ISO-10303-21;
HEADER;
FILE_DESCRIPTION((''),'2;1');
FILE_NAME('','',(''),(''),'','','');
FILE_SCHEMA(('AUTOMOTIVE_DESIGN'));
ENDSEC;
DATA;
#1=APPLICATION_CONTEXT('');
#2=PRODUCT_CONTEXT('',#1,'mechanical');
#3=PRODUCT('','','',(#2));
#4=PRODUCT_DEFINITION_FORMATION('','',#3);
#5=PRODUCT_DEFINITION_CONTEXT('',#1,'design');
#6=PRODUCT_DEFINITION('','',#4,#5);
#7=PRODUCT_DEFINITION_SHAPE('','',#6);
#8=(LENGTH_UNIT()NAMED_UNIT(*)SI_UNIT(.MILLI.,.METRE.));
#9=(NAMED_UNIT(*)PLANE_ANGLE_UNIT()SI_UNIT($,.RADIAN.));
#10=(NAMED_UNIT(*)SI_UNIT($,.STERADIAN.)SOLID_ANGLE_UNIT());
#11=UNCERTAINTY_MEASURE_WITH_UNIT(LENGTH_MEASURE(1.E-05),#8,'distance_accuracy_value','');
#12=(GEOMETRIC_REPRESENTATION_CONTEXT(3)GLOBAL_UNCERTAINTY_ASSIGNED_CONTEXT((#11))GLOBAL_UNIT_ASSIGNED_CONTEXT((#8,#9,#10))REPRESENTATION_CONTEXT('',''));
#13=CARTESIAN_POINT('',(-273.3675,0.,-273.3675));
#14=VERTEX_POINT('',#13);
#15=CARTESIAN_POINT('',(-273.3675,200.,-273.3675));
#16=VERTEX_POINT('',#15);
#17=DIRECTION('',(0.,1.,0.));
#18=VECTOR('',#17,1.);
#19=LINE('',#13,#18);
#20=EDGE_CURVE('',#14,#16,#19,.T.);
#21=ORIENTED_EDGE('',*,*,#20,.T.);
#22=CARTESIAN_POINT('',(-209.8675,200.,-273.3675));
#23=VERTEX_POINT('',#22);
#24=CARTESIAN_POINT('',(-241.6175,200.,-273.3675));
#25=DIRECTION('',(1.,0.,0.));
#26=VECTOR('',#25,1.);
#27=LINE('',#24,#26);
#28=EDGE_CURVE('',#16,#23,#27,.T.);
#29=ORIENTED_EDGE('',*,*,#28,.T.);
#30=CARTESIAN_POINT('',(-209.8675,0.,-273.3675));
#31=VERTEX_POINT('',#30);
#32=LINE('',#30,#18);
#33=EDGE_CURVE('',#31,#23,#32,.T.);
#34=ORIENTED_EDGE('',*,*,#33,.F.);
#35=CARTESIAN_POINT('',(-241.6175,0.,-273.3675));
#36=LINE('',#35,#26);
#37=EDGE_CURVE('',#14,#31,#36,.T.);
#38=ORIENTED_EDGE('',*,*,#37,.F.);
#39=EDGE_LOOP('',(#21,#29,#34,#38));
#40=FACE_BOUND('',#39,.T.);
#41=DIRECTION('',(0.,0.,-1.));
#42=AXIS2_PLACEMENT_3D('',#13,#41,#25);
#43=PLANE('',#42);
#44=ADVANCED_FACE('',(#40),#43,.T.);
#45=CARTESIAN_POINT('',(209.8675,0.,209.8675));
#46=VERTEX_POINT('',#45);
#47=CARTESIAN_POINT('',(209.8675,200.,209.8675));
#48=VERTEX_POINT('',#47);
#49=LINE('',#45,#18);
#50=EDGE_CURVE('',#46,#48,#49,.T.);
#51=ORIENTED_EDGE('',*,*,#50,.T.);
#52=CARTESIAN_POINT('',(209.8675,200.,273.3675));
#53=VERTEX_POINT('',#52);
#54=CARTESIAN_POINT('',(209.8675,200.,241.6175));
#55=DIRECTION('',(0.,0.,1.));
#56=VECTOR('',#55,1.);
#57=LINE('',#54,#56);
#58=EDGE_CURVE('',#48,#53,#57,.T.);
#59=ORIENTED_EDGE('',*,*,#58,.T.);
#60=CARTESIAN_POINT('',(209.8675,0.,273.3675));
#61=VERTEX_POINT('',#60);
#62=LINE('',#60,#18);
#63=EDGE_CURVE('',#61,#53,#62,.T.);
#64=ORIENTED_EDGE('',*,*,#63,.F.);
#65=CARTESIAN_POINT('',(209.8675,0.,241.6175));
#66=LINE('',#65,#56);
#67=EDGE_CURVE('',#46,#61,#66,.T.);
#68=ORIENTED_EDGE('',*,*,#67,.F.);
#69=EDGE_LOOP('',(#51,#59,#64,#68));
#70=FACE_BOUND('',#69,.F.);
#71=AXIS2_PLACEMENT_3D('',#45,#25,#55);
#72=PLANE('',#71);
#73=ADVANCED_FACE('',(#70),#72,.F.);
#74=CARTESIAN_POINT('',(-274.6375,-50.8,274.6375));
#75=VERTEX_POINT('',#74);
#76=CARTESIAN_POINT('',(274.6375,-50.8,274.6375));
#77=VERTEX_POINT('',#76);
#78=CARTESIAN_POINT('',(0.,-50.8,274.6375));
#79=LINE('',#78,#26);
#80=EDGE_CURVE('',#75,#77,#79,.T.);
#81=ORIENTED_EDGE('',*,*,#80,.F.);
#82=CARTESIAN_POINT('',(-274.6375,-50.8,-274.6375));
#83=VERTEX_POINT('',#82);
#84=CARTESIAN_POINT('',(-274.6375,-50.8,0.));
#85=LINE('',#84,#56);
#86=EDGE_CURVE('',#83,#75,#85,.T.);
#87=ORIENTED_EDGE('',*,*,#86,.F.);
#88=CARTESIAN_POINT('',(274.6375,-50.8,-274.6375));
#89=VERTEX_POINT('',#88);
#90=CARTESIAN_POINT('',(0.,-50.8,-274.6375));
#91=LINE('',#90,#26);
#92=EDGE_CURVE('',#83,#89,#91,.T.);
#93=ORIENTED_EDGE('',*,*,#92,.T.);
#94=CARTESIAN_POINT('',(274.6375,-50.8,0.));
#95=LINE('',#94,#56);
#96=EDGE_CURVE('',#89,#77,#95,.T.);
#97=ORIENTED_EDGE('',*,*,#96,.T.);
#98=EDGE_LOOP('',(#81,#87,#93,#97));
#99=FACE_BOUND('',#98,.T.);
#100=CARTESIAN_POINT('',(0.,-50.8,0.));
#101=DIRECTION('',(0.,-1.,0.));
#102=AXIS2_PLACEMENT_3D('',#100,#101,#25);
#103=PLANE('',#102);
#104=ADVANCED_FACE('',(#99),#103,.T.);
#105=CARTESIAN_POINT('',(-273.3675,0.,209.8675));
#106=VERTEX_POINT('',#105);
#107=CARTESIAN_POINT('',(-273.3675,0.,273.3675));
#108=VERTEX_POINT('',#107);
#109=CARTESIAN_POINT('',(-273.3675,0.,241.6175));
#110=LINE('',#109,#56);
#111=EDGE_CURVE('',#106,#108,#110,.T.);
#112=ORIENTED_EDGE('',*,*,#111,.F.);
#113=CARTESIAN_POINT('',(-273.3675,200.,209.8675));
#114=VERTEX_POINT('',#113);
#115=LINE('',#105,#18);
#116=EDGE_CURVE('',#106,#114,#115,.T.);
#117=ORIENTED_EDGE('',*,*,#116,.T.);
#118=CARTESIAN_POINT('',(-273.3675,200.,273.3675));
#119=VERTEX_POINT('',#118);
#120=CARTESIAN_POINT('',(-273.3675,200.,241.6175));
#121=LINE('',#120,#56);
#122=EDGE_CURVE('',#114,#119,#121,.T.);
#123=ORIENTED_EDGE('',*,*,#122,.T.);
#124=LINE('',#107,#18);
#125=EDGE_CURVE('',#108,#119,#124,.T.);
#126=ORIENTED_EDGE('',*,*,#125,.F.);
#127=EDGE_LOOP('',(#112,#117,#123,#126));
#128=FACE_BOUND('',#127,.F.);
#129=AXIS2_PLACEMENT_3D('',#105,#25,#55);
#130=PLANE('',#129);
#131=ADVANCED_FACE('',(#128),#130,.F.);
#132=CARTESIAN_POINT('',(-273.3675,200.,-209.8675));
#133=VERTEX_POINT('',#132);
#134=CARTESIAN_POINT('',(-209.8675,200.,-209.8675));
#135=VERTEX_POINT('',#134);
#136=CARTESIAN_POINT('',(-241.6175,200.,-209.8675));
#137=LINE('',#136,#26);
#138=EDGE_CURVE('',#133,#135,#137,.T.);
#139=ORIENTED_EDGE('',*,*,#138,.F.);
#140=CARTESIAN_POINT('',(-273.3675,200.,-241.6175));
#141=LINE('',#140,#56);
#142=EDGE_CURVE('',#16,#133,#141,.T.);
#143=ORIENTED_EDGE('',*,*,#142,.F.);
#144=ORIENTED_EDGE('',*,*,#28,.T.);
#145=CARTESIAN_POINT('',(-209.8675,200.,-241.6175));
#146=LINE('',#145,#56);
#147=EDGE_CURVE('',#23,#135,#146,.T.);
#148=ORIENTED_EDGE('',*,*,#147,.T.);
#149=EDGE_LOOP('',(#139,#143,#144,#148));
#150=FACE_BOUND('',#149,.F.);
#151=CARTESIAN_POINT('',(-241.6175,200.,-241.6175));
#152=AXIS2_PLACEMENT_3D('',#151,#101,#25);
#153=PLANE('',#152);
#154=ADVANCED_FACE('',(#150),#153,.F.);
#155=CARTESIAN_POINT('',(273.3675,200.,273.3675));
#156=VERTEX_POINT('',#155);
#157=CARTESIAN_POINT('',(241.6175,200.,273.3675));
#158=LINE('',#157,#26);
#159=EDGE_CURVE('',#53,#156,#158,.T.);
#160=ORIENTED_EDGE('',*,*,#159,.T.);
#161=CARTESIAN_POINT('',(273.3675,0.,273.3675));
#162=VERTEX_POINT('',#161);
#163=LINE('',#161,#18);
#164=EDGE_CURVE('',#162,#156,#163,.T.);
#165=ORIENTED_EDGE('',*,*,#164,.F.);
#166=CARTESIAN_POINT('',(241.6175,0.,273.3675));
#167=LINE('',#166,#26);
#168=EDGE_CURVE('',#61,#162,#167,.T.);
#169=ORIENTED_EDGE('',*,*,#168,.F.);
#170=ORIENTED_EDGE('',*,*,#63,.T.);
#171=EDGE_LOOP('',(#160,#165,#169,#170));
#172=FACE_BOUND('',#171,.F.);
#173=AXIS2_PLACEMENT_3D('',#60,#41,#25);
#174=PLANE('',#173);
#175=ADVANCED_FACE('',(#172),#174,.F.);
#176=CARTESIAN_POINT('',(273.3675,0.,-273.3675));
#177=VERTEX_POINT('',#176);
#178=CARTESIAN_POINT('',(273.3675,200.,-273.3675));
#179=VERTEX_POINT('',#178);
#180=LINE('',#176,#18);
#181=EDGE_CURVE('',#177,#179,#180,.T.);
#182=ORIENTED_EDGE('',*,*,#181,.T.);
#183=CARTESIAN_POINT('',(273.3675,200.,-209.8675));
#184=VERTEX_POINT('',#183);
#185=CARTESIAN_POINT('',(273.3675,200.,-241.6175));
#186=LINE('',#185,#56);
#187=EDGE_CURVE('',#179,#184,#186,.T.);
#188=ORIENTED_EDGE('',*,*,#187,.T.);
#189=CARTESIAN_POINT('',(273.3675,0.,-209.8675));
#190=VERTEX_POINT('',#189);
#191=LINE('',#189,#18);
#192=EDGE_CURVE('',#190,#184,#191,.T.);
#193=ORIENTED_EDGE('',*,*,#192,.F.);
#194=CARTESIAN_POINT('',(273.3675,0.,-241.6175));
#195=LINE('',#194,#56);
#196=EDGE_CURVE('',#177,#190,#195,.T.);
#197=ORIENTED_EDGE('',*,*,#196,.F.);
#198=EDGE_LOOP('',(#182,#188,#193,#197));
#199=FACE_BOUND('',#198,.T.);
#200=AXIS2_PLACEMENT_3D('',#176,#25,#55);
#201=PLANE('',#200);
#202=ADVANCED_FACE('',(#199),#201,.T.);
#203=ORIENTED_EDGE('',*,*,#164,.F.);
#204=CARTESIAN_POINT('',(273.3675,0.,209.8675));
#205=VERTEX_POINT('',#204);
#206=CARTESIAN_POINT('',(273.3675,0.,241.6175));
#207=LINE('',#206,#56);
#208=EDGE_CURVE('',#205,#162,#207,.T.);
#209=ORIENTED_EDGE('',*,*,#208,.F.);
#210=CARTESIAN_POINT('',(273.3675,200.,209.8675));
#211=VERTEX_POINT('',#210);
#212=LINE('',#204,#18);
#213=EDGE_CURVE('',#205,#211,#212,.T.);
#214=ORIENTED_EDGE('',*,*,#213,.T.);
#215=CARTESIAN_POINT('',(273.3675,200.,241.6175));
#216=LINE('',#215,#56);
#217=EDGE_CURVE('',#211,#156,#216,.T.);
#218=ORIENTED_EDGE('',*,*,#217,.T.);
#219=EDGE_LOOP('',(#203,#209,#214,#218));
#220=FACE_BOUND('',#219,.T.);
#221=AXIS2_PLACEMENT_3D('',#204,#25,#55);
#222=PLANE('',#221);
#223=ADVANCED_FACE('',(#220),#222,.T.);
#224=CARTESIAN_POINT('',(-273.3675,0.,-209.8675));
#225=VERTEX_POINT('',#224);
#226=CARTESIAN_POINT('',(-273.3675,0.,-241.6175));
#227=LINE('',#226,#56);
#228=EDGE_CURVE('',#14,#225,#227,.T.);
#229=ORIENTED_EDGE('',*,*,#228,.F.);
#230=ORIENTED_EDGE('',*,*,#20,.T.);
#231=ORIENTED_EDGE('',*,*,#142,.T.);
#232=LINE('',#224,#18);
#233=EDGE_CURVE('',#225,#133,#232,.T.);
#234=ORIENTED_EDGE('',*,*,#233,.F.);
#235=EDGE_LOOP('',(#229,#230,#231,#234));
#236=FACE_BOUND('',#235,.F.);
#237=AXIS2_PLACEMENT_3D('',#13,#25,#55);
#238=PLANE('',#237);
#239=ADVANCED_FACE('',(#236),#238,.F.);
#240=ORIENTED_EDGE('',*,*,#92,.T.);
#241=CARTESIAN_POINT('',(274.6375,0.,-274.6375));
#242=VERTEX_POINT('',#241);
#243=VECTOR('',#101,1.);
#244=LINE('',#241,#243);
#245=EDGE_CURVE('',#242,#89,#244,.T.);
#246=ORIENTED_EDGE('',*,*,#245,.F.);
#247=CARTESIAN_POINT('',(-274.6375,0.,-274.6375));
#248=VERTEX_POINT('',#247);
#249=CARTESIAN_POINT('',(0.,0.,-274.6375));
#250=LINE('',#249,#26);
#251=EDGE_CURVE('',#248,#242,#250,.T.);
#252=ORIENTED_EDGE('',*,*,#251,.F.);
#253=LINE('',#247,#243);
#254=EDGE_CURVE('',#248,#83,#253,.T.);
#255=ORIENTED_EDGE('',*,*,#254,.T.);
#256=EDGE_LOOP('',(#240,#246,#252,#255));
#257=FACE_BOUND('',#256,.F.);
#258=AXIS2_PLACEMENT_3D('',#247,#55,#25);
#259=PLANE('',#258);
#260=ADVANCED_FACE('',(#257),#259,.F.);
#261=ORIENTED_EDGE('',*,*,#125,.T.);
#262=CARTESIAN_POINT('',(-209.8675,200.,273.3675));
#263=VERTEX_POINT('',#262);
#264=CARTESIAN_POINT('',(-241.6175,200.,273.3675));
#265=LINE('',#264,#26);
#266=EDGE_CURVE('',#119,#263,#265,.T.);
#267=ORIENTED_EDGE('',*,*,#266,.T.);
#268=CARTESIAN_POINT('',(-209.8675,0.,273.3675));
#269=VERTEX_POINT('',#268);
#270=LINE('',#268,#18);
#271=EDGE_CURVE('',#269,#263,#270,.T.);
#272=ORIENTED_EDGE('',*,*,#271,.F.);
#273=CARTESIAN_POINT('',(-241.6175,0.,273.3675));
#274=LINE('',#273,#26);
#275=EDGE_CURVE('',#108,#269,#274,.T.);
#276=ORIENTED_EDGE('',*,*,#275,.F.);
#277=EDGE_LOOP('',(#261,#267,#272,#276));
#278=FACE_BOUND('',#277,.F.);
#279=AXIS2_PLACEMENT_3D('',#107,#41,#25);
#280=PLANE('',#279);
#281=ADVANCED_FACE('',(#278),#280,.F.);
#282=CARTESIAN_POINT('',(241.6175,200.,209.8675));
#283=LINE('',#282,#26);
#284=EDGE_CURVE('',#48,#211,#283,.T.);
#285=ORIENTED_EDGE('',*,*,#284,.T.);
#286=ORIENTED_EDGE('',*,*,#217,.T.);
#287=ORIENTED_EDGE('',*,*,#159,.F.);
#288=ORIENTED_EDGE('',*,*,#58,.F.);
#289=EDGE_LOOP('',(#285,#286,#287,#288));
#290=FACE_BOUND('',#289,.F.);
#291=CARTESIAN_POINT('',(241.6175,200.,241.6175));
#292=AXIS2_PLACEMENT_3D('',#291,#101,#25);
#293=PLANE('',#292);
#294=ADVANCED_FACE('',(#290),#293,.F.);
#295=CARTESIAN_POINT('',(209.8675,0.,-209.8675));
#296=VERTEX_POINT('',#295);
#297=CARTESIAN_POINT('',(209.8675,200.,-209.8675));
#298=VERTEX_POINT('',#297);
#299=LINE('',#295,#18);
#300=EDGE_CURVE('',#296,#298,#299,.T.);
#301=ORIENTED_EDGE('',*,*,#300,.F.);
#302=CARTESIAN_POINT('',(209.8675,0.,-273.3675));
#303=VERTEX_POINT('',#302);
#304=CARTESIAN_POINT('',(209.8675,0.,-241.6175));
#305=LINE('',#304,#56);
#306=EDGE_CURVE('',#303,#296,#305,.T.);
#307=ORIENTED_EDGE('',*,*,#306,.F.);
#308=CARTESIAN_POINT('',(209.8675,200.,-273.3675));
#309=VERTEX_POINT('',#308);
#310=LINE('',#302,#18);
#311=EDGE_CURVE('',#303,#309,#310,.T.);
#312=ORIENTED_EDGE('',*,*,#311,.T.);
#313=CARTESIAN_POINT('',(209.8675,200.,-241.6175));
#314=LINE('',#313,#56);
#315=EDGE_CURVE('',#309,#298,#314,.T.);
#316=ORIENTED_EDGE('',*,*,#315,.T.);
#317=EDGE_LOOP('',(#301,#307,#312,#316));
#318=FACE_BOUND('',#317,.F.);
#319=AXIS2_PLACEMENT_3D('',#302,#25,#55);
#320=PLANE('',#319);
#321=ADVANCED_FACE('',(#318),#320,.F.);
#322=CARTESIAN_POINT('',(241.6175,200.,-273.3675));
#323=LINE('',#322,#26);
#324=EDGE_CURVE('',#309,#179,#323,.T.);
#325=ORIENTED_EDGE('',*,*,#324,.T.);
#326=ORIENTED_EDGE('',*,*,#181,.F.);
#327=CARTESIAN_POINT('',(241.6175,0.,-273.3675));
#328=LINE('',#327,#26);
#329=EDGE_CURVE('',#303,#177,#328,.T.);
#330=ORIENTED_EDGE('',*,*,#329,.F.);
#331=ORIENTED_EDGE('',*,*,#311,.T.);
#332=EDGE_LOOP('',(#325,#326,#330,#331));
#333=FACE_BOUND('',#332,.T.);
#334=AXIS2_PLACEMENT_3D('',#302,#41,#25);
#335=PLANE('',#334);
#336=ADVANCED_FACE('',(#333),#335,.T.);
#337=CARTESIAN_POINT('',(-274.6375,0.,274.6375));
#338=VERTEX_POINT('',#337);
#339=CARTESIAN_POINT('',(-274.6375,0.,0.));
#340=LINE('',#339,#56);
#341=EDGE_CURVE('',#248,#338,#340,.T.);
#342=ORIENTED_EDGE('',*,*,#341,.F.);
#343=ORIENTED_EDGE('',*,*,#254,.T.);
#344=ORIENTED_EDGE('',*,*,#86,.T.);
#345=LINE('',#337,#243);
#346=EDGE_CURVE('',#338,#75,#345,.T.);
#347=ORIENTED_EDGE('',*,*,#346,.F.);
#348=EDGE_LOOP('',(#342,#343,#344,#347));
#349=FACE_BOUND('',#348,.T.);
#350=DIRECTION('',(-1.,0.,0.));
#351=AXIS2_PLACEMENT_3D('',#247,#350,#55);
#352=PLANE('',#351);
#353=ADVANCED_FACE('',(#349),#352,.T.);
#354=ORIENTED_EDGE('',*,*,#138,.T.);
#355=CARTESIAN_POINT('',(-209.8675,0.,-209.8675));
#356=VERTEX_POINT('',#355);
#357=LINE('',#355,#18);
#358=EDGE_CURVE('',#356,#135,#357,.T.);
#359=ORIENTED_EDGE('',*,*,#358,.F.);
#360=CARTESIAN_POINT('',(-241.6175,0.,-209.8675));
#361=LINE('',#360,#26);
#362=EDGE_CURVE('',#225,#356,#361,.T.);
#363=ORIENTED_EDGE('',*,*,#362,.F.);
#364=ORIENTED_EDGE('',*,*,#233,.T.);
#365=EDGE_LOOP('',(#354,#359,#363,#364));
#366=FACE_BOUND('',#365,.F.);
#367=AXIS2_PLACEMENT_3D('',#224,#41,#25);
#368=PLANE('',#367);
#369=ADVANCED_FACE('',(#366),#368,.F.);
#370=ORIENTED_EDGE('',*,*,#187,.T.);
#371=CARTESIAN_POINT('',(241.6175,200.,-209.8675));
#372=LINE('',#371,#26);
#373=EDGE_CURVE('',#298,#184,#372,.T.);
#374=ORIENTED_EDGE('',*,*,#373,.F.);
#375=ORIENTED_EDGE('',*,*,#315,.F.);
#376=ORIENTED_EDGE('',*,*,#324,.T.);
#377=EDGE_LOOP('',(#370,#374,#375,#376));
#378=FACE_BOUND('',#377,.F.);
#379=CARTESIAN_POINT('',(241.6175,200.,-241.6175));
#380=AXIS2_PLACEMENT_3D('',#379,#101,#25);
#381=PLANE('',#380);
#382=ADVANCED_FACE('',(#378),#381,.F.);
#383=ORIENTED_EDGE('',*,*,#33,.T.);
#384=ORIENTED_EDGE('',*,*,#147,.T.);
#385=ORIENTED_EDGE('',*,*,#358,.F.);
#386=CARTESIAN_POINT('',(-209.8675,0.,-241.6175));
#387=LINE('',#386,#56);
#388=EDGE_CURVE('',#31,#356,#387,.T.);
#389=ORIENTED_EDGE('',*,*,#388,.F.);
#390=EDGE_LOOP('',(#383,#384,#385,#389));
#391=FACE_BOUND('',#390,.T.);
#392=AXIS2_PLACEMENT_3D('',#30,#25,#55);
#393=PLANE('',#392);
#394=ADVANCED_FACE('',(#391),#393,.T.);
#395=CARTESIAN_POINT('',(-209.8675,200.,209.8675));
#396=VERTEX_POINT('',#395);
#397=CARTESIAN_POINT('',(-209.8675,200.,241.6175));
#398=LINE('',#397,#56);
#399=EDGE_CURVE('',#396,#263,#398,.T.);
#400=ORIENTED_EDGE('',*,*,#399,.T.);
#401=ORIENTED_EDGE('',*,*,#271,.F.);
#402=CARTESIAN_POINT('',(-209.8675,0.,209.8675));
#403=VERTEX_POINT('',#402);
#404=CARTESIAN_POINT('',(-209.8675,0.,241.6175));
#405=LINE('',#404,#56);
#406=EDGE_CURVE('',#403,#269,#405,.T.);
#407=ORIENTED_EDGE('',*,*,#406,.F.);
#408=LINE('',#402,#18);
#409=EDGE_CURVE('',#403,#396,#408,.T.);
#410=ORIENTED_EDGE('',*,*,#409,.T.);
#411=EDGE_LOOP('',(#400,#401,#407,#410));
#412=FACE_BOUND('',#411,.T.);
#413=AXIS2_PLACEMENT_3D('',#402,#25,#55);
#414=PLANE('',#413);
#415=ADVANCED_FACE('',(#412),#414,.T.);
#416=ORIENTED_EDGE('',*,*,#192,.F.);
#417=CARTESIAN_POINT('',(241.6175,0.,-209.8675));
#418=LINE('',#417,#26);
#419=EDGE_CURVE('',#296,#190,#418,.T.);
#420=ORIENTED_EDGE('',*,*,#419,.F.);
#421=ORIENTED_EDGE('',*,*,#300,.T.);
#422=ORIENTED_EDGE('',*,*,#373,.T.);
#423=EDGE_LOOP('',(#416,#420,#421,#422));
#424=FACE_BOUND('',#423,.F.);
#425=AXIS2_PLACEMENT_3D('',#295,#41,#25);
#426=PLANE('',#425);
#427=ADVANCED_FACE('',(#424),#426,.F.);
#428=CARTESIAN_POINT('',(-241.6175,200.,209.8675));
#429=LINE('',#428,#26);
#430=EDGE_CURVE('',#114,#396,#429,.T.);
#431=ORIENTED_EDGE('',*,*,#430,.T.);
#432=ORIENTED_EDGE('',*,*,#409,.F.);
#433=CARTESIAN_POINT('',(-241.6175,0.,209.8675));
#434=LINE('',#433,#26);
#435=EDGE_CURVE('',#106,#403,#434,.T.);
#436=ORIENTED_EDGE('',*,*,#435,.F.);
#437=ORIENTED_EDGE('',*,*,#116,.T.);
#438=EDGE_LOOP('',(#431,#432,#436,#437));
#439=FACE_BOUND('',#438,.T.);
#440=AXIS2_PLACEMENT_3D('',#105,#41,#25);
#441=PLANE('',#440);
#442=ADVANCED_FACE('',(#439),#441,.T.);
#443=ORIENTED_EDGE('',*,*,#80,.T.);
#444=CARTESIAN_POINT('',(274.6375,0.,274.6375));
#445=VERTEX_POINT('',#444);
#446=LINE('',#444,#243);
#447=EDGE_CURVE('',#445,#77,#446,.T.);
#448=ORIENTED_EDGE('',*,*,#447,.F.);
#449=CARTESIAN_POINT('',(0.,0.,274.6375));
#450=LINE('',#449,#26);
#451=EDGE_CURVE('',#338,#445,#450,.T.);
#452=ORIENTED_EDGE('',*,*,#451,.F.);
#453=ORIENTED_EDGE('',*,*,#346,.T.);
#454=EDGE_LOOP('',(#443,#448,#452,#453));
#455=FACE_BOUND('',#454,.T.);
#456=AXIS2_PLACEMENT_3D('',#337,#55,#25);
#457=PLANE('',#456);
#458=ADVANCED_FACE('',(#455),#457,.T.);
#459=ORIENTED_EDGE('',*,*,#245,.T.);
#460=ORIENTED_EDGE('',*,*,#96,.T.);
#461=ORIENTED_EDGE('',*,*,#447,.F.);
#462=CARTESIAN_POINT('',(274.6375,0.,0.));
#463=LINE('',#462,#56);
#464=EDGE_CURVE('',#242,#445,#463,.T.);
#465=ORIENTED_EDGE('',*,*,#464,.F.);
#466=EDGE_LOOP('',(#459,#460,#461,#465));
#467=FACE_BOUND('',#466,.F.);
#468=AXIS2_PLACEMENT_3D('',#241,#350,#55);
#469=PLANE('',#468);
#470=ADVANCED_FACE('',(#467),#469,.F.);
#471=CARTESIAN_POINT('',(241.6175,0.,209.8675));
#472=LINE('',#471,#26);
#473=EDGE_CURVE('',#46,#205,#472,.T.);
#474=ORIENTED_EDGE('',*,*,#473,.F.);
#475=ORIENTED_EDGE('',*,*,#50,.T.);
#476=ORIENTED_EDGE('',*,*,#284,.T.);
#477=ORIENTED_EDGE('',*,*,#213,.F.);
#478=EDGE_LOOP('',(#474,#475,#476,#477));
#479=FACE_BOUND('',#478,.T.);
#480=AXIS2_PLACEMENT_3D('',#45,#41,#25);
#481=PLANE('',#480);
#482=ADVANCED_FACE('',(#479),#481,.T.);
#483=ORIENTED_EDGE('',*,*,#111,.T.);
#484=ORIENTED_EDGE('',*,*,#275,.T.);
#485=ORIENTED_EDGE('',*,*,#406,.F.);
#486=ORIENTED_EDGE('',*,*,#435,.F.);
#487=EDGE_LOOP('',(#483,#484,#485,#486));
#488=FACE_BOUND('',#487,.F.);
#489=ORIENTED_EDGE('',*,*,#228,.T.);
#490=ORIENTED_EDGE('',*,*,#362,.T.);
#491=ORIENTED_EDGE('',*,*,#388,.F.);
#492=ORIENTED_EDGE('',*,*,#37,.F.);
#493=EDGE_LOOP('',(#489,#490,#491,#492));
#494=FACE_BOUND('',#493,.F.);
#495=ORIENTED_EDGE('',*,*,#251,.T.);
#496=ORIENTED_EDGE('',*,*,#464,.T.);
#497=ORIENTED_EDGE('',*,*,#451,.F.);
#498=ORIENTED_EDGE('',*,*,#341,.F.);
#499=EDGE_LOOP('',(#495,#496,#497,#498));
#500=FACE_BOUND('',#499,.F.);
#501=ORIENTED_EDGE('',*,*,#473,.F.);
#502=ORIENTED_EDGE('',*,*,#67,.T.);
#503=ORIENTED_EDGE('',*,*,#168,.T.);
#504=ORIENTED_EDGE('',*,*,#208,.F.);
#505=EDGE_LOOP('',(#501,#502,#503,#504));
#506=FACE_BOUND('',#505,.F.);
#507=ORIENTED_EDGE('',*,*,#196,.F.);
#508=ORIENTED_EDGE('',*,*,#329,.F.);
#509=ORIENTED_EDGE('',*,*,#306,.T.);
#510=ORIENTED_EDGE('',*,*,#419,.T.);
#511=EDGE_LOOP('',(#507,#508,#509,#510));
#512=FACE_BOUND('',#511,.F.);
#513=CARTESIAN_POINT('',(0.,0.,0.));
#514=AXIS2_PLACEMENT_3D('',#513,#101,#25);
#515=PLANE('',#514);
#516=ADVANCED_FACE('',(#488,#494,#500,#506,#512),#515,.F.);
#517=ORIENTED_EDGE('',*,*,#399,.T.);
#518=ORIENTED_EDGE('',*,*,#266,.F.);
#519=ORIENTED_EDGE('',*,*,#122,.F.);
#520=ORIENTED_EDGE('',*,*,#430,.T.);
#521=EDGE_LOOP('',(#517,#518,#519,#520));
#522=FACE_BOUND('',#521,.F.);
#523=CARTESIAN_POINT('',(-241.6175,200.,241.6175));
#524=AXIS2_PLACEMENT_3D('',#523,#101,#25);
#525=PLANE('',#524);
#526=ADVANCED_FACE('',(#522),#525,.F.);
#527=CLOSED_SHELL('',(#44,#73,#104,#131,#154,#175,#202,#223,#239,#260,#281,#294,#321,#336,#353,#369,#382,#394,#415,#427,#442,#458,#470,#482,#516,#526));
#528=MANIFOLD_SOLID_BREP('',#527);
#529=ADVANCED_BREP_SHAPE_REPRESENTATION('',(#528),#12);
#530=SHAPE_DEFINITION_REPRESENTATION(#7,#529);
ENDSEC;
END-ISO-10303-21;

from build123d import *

# Parameters (mm, degrees)
F0_W     = 549.275
F0_H     = 549.275
F0_W_2   = 63.5
F0_H_2   = 63.5
F1_DEPTH = 50.8
F2_DEPTH = 200


with BuildPart() as f1:
    # F0 (on Front) → F1 (new body)
    with BuildSketch(Plane.XZ):
        Rectangle(F0_W, F0_H)
        with Locations((-241.6175, -241.6175)):
            Rectangle(F0_W_2, F0_H_2, mode=Mode.SUBTRACT)
        with Locations((241.6175, -241.6175)):
            Rectangle(F0_W_2, F0_H_2, mode=Mode.SUBTRACT)
        with Locations((-241.6175, 241.6175)):
            Rectangle(F0_W_2, F0_H_2, mode=Mode.SUBTRACT)
        with Locations((241.6175, 241.6175)):
            Rectangle(F0_W_2, F0_H_2, mode=Mode.SUBTRACT)
        with Locations((241.6175, 241.6175)):
            Rectangle(F0_W_2, F0_H_2)
        with Locations((-241.6175, 241.6175)):
            Rectangle(F0_W_2, F0_H_2)
        with Locations((-241.6175, -241.6175)):
            Rectangle(F0_W_2, F0_H_2)
        with Locations((241.6175, -241.6175)):
            Rectangle(F0_W_2, F0_H_2)
    extrude(amount=F1_DEPTH)

    # F0 (on Front) → F2 (join)
    with BuildSketch(Plane.XZ):
        with Locations((-241.6175, 241.6175)):
            Rectangle(F0_W_2, F0_H_2)
        with Locations((241.6175, 241.6175)):
            Rectangle(F0_W_2, F0_H_2)
        with Locations((241.6175, -241.6175)):
            Rectangle(F0_W_2, F0_H_2)
        with Locations((-241.6175, -241.6175)):
            Rectangle(F0_W_2, F0_H_2)
    extrude(amount=-F2_DEPTH)


solid = f1.part
